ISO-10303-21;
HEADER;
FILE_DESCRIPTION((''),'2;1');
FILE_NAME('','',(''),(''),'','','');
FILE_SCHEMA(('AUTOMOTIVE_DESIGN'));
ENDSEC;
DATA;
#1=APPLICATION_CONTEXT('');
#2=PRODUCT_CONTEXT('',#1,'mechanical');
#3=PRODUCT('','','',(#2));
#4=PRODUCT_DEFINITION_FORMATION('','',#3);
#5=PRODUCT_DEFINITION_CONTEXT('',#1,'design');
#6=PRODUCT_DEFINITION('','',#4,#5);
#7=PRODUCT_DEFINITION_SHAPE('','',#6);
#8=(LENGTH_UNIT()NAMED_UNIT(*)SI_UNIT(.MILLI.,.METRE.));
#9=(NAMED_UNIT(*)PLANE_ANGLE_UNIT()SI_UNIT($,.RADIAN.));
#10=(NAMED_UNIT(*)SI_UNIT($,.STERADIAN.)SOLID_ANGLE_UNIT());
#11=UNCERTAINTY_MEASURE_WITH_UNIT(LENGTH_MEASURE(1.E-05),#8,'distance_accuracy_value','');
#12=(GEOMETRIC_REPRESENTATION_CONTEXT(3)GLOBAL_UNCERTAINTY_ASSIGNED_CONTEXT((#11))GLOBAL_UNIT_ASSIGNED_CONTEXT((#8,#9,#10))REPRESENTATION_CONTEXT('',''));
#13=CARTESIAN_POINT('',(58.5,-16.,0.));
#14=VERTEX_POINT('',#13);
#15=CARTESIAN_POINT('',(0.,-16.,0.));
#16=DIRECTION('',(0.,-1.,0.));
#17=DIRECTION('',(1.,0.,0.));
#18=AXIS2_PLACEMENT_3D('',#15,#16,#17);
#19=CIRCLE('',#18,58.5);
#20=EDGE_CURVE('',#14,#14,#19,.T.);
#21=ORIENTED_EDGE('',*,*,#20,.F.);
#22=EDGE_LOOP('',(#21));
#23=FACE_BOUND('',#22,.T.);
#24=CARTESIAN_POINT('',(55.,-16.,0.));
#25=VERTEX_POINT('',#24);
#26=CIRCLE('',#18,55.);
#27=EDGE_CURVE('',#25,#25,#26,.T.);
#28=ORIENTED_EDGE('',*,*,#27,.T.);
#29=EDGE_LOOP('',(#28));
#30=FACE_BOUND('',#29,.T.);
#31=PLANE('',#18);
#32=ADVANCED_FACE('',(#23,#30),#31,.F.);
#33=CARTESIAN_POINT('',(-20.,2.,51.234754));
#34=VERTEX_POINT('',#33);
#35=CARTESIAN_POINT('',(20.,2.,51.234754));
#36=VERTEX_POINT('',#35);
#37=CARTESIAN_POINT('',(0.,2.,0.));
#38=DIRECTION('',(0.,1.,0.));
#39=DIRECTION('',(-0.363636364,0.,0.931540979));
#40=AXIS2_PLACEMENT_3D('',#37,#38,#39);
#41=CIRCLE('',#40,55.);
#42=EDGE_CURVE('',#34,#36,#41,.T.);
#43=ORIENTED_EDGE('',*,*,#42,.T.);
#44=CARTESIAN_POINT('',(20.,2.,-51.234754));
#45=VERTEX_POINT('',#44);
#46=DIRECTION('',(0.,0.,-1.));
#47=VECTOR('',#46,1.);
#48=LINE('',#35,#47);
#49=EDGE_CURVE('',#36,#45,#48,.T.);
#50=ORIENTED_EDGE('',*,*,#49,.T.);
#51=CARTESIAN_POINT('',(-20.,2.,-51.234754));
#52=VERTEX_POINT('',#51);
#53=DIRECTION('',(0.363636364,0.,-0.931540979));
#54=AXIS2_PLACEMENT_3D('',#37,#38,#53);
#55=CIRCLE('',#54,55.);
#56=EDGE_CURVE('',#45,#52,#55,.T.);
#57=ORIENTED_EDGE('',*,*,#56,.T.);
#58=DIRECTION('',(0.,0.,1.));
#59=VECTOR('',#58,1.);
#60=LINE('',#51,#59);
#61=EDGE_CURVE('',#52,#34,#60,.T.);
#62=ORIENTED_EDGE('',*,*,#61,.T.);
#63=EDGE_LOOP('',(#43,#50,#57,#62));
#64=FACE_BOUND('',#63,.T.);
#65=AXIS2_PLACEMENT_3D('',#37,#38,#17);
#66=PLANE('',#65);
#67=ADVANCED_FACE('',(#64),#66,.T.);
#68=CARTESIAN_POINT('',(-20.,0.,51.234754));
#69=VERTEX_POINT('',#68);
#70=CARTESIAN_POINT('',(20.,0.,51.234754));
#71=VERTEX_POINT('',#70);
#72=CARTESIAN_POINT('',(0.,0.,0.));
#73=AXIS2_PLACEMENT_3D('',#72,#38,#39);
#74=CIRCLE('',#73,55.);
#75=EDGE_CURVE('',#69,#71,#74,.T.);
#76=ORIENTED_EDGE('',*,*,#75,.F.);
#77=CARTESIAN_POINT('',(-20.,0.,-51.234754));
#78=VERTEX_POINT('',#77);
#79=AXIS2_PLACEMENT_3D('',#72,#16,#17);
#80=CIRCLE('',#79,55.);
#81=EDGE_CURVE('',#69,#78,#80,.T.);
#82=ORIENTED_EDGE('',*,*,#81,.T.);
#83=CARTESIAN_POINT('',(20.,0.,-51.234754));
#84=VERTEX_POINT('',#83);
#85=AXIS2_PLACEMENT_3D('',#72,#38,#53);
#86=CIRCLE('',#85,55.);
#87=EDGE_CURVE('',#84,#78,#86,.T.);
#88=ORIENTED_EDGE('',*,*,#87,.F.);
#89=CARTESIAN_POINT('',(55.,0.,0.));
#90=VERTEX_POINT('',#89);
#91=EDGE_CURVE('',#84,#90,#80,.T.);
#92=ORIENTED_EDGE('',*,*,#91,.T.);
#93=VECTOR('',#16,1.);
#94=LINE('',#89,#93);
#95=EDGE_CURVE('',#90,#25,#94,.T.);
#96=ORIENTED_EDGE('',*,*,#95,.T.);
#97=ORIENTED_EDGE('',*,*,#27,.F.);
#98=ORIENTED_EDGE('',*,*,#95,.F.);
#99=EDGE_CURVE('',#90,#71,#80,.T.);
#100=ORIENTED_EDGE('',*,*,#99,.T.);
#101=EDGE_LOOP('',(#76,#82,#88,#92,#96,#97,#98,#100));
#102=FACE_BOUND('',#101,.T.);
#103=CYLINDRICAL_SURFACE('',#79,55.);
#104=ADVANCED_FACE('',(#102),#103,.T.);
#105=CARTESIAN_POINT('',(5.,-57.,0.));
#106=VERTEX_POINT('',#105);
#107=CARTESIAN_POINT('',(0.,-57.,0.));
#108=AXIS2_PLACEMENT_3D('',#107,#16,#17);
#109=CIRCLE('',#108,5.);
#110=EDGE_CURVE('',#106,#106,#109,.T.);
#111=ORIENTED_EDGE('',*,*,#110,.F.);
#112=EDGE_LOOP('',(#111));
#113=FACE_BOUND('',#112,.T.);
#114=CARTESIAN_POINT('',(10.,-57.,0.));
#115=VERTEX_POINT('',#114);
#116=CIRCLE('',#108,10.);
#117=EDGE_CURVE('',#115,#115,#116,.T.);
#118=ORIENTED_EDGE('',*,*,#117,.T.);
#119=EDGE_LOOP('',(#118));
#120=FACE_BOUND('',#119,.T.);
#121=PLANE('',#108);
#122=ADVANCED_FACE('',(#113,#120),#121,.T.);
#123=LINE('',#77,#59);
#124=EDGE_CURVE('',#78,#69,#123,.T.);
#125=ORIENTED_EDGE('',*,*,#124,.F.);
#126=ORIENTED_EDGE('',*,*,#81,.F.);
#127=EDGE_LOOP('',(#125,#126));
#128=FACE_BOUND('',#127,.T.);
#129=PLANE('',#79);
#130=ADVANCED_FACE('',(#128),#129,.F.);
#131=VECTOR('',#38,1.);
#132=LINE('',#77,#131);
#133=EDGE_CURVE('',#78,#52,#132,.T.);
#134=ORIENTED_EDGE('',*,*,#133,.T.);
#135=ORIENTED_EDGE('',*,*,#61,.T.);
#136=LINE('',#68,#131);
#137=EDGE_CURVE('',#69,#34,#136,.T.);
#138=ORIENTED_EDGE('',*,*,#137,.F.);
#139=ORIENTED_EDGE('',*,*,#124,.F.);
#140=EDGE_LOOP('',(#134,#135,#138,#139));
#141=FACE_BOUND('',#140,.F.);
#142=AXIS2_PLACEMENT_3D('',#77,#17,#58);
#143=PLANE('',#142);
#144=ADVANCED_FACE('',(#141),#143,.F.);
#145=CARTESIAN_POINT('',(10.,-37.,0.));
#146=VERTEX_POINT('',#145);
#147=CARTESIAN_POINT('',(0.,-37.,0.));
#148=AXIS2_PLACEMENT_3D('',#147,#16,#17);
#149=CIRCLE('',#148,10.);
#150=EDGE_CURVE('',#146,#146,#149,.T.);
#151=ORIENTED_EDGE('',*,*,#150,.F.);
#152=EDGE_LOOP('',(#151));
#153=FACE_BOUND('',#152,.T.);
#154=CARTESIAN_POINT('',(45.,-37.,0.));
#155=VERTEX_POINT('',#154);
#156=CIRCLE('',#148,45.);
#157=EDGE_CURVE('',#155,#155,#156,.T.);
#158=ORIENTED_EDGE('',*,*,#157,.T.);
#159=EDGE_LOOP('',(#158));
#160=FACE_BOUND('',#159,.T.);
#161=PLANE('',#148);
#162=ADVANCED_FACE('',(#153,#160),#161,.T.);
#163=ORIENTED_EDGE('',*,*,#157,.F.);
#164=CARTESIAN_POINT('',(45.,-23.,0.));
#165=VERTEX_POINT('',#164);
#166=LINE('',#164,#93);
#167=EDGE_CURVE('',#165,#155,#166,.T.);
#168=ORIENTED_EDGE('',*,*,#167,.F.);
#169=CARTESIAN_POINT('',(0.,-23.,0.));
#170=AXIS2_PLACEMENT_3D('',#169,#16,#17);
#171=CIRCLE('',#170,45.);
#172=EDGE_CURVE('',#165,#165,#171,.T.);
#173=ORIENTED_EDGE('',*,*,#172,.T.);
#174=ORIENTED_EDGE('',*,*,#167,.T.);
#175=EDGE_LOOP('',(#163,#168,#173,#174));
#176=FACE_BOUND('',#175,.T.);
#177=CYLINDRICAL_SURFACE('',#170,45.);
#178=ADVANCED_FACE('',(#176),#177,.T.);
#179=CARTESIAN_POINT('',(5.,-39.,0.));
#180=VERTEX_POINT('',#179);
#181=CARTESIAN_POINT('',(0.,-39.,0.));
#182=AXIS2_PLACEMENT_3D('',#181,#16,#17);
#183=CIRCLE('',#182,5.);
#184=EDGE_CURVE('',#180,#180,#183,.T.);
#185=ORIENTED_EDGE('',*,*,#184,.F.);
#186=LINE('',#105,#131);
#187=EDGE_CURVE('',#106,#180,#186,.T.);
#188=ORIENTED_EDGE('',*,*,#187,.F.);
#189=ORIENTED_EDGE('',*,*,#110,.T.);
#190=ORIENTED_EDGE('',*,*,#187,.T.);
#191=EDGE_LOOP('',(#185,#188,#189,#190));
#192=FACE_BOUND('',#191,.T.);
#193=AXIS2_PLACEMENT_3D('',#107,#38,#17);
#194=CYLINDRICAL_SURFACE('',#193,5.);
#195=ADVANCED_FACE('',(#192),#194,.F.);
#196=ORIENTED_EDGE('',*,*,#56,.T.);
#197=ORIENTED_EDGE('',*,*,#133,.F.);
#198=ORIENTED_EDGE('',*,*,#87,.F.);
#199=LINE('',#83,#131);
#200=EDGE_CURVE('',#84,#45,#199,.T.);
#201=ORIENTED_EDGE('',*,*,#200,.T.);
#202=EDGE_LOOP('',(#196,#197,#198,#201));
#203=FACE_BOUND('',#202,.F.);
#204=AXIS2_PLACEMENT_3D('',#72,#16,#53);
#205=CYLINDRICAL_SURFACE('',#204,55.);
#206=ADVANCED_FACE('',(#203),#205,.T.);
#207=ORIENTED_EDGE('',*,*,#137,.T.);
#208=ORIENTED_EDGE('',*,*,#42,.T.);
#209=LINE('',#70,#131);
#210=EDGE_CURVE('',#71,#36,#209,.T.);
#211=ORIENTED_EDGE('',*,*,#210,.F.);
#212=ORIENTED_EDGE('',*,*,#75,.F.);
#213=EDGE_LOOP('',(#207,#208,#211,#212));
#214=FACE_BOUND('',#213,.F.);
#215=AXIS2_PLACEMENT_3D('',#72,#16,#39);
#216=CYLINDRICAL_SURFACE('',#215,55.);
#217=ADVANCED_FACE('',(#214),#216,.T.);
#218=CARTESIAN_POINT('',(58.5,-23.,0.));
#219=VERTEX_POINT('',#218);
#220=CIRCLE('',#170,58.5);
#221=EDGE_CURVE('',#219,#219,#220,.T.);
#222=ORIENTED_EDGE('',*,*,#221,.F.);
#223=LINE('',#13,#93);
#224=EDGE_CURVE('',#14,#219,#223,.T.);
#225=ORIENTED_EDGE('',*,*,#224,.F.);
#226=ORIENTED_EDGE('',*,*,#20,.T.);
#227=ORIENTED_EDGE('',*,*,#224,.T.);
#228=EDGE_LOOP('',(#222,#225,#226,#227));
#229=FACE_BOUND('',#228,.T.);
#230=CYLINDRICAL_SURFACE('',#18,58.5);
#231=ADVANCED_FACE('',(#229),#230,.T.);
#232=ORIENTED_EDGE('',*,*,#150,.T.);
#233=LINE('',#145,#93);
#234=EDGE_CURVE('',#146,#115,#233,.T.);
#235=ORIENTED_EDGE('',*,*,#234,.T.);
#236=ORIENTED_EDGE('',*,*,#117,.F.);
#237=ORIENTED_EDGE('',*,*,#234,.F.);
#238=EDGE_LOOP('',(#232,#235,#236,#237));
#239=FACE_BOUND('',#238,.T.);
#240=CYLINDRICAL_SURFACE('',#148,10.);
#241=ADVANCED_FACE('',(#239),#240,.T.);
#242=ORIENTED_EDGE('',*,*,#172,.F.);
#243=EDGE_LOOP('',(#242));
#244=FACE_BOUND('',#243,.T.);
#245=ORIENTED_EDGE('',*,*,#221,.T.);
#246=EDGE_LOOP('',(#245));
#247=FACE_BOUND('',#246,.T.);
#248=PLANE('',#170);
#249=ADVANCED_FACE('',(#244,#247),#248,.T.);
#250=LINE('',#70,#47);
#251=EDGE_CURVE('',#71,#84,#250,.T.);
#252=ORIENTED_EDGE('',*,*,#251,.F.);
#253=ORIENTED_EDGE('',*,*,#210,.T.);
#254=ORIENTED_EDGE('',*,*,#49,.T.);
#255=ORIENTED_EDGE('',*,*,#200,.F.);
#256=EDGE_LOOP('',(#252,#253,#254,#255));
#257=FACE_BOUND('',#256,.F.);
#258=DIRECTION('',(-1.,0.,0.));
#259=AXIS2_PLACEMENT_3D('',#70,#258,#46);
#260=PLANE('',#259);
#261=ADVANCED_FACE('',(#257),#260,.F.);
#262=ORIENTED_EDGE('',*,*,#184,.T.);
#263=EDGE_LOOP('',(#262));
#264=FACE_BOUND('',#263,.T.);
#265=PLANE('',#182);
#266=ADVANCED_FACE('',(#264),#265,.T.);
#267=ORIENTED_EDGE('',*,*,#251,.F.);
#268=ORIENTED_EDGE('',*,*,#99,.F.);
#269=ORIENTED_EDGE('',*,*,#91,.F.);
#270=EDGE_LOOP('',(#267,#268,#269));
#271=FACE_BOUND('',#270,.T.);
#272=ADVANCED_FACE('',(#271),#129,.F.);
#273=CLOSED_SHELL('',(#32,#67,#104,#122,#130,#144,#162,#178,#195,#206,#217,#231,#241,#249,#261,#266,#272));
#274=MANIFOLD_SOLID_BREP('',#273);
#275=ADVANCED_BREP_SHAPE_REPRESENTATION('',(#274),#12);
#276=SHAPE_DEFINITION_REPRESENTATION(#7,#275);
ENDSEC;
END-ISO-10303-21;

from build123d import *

# Parameters (mm, degrees)
EXTRUDE_1_DEPTH = 2


with BuildPart() as part:
    # 草圖1 → 旋轉1 (revolve)
    with BuildSketch(Plane.XY):
        Polygon((0, 0), (55, 0), (55, -16), (58.5, -16), (58.5, -23), (45, -23), (45, -37), (10, -37), (10, -57), (5, -57), (5, -39), (0, -39), align=None)
    revolve(axis=Axis((0, 84.440513305, 0), (0, -1, 0)))

    # 草圖3 → 填料-伸長1 (add)
    with BuildSketch(Plane(origin=(0, 0, 0), x_dir=(1, 0, 0), z_dir=(0, 1, 0))):
        with BuildLine():
            Line((-20, 51.23475383), (-20, -51.23475383))
            ThreePointArc((-20, -51.23475383), (0, -55), (20, -51.23475383))
            Line((20, -51.23475383), (20, 51.23475383))
            ThreePointArc((20, 51.23475383), (0, 55), (-20, 51.23475383))
        make_face()
    extrude(amount=EXTRUDE_1_DEPTH)


solid = part.part
